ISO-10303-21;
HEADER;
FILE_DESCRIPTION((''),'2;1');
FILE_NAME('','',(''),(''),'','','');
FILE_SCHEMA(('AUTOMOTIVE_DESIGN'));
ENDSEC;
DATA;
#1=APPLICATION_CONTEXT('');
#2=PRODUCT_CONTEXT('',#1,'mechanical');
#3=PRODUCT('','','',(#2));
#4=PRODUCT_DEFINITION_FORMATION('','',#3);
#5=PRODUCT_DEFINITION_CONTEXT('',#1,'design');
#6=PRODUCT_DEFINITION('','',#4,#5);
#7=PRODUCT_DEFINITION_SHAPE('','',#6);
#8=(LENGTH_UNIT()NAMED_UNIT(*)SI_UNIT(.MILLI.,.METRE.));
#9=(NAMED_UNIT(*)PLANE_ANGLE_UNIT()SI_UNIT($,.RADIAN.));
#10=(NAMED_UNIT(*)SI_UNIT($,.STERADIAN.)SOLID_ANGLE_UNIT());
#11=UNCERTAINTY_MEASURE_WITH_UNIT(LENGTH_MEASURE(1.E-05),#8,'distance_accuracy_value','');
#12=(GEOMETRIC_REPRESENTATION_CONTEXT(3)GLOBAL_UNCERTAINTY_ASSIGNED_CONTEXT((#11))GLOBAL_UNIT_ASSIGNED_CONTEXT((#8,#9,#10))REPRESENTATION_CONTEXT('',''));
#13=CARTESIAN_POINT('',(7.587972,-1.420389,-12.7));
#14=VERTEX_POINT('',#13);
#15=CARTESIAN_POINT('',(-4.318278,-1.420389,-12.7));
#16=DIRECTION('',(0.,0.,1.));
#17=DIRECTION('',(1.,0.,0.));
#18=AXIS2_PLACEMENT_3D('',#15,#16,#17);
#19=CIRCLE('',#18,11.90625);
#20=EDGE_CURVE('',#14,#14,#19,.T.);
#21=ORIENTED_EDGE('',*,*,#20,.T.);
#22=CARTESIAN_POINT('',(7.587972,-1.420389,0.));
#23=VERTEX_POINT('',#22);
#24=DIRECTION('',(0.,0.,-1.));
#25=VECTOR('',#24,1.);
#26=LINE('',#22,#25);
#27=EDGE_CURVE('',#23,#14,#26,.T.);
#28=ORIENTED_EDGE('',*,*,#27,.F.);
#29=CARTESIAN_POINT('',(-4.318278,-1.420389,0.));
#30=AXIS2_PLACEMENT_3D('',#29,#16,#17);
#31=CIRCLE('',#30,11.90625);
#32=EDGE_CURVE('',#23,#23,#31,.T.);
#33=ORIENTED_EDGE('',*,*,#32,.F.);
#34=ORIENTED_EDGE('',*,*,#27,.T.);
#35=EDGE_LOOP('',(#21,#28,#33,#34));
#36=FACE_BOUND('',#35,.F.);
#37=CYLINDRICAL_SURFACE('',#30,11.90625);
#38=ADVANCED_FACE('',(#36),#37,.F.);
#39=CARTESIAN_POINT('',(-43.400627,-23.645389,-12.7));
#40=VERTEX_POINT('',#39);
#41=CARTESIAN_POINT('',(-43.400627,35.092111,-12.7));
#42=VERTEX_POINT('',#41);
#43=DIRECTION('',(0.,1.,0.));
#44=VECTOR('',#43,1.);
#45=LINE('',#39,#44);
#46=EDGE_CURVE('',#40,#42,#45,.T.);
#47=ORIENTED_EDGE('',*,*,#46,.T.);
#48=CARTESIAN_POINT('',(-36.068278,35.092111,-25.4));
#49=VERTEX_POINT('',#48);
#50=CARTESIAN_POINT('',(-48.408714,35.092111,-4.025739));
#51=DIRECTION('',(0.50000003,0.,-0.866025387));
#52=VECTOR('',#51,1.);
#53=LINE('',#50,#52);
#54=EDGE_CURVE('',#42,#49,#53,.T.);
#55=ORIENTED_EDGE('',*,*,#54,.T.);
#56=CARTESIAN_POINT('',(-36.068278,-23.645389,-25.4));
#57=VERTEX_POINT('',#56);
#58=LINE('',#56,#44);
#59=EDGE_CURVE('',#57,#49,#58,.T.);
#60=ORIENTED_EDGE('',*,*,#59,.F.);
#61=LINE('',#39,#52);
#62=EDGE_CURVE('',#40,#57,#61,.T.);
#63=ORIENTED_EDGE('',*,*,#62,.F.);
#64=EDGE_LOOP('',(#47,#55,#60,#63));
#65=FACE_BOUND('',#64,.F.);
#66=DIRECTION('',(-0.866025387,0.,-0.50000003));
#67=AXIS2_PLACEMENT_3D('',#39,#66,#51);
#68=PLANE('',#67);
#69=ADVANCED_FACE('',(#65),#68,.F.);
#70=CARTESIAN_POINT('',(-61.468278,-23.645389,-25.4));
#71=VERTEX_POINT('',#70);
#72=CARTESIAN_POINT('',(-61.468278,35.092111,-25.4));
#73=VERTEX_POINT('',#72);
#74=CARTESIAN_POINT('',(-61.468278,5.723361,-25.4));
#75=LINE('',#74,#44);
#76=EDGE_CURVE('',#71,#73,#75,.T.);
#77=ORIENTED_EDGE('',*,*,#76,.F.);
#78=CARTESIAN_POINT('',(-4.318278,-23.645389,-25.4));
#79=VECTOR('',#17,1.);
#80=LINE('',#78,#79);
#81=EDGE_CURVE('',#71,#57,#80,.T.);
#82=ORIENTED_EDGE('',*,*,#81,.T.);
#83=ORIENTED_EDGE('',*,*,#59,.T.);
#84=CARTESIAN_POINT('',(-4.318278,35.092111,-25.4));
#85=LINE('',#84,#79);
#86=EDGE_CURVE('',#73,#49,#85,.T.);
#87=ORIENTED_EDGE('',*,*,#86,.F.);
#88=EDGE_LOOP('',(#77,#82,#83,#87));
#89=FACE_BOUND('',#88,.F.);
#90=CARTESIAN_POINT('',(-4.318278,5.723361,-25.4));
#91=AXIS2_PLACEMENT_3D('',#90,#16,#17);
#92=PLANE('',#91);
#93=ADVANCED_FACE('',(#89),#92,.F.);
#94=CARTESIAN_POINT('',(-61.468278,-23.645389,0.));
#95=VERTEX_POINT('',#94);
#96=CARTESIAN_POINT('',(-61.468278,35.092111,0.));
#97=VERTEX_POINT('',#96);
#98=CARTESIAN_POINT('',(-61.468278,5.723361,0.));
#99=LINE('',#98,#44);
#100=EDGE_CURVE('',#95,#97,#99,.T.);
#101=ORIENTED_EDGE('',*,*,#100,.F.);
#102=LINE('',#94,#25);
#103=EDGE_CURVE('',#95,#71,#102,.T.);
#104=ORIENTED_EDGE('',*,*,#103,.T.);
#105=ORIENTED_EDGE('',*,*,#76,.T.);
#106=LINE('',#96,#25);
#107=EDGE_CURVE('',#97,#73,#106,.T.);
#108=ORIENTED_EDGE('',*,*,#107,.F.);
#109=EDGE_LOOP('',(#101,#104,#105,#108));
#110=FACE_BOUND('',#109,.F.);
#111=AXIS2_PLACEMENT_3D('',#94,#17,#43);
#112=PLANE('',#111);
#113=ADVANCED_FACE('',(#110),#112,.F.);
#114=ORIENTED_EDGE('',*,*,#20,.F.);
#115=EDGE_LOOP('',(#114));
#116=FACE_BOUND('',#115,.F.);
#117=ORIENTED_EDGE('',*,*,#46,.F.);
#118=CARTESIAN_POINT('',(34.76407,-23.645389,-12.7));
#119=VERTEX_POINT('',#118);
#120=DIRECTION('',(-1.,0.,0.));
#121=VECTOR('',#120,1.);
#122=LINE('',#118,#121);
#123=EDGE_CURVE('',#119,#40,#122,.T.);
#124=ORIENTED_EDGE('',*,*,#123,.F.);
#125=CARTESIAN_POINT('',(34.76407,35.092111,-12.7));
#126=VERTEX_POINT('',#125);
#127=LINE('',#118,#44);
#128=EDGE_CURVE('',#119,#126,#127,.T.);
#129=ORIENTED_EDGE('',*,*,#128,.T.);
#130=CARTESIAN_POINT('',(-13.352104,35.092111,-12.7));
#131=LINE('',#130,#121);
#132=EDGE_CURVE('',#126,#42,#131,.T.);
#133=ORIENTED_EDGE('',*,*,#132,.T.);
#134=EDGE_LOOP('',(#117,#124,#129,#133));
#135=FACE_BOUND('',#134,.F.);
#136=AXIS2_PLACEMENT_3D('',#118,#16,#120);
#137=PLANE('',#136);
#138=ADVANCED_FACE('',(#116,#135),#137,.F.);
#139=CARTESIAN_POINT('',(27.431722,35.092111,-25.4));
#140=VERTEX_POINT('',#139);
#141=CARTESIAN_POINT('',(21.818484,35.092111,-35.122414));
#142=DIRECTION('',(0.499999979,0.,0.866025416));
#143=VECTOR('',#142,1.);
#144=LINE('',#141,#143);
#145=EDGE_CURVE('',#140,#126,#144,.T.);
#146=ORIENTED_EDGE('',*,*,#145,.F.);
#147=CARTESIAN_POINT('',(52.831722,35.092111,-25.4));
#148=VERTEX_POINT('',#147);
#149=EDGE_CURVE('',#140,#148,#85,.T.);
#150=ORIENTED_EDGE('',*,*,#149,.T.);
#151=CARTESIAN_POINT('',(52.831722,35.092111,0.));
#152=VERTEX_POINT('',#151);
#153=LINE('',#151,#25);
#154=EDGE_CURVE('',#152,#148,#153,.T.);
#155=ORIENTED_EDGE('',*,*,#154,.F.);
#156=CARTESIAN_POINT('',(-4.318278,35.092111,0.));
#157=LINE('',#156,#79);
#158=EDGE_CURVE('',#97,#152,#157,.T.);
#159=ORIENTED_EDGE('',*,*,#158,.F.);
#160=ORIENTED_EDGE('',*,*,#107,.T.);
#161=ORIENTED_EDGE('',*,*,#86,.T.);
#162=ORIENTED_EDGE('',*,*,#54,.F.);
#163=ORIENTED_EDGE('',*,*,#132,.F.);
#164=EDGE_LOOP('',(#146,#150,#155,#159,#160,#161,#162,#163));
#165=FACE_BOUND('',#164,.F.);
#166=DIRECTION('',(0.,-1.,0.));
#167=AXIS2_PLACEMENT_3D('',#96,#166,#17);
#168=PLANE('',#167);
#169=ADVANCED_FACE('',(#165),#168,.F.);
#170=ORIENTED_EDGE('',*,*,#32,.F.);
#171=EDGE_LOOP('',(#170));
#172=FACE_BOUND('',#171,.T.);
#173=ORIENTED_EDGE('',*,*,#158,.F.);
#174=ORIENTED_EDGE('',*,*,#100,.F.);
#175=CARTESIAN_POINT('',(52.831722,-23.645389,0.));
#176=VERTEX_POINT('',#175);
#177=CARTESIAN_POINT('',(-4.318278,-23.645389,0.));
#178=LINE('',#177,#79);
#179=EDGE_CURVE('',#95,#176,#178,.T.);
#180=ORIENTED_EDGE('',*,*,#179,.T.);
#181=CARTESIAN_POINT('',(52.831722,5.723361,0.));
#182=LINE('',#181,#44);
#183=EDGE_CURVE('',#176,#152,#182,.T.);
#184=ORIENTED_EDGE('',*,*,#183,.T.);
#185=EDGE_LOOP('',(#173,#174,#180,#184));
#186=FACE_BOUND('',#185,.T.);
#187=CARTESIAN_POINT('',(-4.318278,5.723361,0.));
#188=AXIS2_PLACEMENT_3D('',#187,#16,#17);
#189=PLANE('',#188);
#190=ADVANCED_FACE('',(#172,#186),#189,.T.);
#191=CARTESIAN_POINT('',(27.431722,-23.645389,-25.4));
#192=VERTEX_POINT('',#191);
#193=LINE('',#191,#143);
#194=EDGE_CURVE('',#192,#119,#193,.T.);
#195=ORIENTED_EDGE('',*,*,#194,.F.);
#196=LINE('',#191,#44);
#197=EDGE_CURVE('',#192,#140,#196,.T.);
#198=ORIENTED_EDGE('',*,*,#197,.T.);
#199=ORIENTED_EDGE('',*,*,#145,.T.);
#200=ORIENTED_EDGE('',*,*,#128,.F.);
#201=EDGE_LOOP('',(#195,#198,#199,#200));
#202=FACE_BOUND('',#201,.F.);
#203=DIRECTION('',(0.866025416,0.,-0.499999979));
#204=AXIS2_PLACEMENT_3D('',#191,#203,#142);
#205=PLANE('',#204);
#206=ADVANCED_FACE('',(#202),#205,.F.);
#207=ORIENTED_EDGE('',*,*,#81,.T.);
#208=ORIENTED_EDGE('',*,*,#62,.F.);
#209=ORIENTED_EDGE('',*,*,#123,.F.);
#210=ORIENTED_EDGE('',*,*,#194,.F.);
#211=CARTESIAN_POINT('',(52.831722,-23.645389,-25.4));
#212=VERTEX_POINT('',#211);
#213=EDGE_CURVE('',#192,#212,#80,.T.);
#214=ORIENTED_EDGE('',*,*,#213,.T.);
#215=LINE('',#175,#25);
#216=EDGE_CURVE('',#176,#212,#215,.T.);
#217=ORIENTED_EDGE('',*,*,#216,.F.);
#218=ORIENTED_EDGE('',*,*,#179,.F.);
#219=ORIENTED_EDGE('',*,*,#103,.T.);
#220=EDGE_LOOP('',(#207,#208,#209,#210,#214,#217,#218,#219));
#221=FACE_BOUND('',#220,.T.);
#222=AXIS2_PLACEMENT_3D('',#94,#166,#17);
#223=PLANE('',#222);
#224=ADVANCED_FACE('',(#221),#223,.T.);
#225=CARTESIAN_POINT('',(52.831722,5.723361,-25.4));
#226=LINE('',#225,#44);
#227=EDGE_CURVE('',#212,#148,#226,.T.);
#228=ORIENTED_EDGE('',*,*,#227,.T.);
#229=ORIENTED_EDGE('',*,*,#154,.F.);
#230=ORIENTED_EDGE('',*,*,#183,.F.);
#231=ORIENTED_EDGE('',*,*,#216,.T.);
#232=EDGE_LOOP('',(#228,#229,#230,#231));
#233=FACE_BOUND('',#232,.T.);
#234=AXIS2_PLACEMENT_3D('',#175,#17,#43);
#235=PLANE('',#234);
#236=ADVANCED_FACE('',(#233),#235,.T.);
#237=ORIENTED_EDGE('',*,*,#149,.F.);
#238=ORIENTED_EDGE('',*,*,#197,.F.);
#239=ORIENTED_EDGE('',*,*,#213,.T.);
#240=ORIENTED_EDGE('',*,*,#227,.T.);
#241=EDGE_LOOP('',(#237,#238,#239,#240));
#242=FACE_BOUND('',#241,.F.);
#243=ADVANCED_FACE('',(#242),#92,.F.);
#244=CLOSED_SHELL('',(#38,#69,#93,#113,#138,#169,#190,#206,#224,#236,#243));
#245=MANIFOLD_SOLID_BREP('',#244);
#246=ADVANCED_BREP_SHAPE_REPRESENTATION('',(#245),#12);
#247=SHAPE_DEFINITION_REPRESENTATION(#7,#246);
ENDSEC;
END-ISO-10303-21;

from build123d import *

# Parameters (mm, degrees)
F0_W     = 114.3
F0_H     = 58.7375
F1_DEPTH = 25.4
F3_DEPTH = 70.358
F4_R     = 11.90625
F5_DEPTH = 24.892


with BuildPart() as f1:
    # F0 (on Top) → F1 (new body)
    with BuildSketch(Plane.XY):
        with Locations((-4.318278, 5.723361)):
            Rectangle(F0_W, F0_H)
    extrude(amount=-F1_DEPTH)

    # F2 (on face) → F3 (cut)
    with BuildSketch(Plane.XZ.offset(23.645389)):
        Polygon((-43.400627, -12.7), (-36.068278, -25.4), (27.431722, -25.4), (34.76407, -12.7), align=None)
    extrude(amount=-F3_DEPTH, mode=Mode.SUBTRACT)

    # F4 (on face) → F5 (cut)
    with BuildSketch(Plane.XY):
        with Locations((-4.318278, -1.420389)):
            Circle(F4_R)
    extrude(amount=-F5_DEPTH, mode=Mode.SUBTRACT)


solid = f1.part
